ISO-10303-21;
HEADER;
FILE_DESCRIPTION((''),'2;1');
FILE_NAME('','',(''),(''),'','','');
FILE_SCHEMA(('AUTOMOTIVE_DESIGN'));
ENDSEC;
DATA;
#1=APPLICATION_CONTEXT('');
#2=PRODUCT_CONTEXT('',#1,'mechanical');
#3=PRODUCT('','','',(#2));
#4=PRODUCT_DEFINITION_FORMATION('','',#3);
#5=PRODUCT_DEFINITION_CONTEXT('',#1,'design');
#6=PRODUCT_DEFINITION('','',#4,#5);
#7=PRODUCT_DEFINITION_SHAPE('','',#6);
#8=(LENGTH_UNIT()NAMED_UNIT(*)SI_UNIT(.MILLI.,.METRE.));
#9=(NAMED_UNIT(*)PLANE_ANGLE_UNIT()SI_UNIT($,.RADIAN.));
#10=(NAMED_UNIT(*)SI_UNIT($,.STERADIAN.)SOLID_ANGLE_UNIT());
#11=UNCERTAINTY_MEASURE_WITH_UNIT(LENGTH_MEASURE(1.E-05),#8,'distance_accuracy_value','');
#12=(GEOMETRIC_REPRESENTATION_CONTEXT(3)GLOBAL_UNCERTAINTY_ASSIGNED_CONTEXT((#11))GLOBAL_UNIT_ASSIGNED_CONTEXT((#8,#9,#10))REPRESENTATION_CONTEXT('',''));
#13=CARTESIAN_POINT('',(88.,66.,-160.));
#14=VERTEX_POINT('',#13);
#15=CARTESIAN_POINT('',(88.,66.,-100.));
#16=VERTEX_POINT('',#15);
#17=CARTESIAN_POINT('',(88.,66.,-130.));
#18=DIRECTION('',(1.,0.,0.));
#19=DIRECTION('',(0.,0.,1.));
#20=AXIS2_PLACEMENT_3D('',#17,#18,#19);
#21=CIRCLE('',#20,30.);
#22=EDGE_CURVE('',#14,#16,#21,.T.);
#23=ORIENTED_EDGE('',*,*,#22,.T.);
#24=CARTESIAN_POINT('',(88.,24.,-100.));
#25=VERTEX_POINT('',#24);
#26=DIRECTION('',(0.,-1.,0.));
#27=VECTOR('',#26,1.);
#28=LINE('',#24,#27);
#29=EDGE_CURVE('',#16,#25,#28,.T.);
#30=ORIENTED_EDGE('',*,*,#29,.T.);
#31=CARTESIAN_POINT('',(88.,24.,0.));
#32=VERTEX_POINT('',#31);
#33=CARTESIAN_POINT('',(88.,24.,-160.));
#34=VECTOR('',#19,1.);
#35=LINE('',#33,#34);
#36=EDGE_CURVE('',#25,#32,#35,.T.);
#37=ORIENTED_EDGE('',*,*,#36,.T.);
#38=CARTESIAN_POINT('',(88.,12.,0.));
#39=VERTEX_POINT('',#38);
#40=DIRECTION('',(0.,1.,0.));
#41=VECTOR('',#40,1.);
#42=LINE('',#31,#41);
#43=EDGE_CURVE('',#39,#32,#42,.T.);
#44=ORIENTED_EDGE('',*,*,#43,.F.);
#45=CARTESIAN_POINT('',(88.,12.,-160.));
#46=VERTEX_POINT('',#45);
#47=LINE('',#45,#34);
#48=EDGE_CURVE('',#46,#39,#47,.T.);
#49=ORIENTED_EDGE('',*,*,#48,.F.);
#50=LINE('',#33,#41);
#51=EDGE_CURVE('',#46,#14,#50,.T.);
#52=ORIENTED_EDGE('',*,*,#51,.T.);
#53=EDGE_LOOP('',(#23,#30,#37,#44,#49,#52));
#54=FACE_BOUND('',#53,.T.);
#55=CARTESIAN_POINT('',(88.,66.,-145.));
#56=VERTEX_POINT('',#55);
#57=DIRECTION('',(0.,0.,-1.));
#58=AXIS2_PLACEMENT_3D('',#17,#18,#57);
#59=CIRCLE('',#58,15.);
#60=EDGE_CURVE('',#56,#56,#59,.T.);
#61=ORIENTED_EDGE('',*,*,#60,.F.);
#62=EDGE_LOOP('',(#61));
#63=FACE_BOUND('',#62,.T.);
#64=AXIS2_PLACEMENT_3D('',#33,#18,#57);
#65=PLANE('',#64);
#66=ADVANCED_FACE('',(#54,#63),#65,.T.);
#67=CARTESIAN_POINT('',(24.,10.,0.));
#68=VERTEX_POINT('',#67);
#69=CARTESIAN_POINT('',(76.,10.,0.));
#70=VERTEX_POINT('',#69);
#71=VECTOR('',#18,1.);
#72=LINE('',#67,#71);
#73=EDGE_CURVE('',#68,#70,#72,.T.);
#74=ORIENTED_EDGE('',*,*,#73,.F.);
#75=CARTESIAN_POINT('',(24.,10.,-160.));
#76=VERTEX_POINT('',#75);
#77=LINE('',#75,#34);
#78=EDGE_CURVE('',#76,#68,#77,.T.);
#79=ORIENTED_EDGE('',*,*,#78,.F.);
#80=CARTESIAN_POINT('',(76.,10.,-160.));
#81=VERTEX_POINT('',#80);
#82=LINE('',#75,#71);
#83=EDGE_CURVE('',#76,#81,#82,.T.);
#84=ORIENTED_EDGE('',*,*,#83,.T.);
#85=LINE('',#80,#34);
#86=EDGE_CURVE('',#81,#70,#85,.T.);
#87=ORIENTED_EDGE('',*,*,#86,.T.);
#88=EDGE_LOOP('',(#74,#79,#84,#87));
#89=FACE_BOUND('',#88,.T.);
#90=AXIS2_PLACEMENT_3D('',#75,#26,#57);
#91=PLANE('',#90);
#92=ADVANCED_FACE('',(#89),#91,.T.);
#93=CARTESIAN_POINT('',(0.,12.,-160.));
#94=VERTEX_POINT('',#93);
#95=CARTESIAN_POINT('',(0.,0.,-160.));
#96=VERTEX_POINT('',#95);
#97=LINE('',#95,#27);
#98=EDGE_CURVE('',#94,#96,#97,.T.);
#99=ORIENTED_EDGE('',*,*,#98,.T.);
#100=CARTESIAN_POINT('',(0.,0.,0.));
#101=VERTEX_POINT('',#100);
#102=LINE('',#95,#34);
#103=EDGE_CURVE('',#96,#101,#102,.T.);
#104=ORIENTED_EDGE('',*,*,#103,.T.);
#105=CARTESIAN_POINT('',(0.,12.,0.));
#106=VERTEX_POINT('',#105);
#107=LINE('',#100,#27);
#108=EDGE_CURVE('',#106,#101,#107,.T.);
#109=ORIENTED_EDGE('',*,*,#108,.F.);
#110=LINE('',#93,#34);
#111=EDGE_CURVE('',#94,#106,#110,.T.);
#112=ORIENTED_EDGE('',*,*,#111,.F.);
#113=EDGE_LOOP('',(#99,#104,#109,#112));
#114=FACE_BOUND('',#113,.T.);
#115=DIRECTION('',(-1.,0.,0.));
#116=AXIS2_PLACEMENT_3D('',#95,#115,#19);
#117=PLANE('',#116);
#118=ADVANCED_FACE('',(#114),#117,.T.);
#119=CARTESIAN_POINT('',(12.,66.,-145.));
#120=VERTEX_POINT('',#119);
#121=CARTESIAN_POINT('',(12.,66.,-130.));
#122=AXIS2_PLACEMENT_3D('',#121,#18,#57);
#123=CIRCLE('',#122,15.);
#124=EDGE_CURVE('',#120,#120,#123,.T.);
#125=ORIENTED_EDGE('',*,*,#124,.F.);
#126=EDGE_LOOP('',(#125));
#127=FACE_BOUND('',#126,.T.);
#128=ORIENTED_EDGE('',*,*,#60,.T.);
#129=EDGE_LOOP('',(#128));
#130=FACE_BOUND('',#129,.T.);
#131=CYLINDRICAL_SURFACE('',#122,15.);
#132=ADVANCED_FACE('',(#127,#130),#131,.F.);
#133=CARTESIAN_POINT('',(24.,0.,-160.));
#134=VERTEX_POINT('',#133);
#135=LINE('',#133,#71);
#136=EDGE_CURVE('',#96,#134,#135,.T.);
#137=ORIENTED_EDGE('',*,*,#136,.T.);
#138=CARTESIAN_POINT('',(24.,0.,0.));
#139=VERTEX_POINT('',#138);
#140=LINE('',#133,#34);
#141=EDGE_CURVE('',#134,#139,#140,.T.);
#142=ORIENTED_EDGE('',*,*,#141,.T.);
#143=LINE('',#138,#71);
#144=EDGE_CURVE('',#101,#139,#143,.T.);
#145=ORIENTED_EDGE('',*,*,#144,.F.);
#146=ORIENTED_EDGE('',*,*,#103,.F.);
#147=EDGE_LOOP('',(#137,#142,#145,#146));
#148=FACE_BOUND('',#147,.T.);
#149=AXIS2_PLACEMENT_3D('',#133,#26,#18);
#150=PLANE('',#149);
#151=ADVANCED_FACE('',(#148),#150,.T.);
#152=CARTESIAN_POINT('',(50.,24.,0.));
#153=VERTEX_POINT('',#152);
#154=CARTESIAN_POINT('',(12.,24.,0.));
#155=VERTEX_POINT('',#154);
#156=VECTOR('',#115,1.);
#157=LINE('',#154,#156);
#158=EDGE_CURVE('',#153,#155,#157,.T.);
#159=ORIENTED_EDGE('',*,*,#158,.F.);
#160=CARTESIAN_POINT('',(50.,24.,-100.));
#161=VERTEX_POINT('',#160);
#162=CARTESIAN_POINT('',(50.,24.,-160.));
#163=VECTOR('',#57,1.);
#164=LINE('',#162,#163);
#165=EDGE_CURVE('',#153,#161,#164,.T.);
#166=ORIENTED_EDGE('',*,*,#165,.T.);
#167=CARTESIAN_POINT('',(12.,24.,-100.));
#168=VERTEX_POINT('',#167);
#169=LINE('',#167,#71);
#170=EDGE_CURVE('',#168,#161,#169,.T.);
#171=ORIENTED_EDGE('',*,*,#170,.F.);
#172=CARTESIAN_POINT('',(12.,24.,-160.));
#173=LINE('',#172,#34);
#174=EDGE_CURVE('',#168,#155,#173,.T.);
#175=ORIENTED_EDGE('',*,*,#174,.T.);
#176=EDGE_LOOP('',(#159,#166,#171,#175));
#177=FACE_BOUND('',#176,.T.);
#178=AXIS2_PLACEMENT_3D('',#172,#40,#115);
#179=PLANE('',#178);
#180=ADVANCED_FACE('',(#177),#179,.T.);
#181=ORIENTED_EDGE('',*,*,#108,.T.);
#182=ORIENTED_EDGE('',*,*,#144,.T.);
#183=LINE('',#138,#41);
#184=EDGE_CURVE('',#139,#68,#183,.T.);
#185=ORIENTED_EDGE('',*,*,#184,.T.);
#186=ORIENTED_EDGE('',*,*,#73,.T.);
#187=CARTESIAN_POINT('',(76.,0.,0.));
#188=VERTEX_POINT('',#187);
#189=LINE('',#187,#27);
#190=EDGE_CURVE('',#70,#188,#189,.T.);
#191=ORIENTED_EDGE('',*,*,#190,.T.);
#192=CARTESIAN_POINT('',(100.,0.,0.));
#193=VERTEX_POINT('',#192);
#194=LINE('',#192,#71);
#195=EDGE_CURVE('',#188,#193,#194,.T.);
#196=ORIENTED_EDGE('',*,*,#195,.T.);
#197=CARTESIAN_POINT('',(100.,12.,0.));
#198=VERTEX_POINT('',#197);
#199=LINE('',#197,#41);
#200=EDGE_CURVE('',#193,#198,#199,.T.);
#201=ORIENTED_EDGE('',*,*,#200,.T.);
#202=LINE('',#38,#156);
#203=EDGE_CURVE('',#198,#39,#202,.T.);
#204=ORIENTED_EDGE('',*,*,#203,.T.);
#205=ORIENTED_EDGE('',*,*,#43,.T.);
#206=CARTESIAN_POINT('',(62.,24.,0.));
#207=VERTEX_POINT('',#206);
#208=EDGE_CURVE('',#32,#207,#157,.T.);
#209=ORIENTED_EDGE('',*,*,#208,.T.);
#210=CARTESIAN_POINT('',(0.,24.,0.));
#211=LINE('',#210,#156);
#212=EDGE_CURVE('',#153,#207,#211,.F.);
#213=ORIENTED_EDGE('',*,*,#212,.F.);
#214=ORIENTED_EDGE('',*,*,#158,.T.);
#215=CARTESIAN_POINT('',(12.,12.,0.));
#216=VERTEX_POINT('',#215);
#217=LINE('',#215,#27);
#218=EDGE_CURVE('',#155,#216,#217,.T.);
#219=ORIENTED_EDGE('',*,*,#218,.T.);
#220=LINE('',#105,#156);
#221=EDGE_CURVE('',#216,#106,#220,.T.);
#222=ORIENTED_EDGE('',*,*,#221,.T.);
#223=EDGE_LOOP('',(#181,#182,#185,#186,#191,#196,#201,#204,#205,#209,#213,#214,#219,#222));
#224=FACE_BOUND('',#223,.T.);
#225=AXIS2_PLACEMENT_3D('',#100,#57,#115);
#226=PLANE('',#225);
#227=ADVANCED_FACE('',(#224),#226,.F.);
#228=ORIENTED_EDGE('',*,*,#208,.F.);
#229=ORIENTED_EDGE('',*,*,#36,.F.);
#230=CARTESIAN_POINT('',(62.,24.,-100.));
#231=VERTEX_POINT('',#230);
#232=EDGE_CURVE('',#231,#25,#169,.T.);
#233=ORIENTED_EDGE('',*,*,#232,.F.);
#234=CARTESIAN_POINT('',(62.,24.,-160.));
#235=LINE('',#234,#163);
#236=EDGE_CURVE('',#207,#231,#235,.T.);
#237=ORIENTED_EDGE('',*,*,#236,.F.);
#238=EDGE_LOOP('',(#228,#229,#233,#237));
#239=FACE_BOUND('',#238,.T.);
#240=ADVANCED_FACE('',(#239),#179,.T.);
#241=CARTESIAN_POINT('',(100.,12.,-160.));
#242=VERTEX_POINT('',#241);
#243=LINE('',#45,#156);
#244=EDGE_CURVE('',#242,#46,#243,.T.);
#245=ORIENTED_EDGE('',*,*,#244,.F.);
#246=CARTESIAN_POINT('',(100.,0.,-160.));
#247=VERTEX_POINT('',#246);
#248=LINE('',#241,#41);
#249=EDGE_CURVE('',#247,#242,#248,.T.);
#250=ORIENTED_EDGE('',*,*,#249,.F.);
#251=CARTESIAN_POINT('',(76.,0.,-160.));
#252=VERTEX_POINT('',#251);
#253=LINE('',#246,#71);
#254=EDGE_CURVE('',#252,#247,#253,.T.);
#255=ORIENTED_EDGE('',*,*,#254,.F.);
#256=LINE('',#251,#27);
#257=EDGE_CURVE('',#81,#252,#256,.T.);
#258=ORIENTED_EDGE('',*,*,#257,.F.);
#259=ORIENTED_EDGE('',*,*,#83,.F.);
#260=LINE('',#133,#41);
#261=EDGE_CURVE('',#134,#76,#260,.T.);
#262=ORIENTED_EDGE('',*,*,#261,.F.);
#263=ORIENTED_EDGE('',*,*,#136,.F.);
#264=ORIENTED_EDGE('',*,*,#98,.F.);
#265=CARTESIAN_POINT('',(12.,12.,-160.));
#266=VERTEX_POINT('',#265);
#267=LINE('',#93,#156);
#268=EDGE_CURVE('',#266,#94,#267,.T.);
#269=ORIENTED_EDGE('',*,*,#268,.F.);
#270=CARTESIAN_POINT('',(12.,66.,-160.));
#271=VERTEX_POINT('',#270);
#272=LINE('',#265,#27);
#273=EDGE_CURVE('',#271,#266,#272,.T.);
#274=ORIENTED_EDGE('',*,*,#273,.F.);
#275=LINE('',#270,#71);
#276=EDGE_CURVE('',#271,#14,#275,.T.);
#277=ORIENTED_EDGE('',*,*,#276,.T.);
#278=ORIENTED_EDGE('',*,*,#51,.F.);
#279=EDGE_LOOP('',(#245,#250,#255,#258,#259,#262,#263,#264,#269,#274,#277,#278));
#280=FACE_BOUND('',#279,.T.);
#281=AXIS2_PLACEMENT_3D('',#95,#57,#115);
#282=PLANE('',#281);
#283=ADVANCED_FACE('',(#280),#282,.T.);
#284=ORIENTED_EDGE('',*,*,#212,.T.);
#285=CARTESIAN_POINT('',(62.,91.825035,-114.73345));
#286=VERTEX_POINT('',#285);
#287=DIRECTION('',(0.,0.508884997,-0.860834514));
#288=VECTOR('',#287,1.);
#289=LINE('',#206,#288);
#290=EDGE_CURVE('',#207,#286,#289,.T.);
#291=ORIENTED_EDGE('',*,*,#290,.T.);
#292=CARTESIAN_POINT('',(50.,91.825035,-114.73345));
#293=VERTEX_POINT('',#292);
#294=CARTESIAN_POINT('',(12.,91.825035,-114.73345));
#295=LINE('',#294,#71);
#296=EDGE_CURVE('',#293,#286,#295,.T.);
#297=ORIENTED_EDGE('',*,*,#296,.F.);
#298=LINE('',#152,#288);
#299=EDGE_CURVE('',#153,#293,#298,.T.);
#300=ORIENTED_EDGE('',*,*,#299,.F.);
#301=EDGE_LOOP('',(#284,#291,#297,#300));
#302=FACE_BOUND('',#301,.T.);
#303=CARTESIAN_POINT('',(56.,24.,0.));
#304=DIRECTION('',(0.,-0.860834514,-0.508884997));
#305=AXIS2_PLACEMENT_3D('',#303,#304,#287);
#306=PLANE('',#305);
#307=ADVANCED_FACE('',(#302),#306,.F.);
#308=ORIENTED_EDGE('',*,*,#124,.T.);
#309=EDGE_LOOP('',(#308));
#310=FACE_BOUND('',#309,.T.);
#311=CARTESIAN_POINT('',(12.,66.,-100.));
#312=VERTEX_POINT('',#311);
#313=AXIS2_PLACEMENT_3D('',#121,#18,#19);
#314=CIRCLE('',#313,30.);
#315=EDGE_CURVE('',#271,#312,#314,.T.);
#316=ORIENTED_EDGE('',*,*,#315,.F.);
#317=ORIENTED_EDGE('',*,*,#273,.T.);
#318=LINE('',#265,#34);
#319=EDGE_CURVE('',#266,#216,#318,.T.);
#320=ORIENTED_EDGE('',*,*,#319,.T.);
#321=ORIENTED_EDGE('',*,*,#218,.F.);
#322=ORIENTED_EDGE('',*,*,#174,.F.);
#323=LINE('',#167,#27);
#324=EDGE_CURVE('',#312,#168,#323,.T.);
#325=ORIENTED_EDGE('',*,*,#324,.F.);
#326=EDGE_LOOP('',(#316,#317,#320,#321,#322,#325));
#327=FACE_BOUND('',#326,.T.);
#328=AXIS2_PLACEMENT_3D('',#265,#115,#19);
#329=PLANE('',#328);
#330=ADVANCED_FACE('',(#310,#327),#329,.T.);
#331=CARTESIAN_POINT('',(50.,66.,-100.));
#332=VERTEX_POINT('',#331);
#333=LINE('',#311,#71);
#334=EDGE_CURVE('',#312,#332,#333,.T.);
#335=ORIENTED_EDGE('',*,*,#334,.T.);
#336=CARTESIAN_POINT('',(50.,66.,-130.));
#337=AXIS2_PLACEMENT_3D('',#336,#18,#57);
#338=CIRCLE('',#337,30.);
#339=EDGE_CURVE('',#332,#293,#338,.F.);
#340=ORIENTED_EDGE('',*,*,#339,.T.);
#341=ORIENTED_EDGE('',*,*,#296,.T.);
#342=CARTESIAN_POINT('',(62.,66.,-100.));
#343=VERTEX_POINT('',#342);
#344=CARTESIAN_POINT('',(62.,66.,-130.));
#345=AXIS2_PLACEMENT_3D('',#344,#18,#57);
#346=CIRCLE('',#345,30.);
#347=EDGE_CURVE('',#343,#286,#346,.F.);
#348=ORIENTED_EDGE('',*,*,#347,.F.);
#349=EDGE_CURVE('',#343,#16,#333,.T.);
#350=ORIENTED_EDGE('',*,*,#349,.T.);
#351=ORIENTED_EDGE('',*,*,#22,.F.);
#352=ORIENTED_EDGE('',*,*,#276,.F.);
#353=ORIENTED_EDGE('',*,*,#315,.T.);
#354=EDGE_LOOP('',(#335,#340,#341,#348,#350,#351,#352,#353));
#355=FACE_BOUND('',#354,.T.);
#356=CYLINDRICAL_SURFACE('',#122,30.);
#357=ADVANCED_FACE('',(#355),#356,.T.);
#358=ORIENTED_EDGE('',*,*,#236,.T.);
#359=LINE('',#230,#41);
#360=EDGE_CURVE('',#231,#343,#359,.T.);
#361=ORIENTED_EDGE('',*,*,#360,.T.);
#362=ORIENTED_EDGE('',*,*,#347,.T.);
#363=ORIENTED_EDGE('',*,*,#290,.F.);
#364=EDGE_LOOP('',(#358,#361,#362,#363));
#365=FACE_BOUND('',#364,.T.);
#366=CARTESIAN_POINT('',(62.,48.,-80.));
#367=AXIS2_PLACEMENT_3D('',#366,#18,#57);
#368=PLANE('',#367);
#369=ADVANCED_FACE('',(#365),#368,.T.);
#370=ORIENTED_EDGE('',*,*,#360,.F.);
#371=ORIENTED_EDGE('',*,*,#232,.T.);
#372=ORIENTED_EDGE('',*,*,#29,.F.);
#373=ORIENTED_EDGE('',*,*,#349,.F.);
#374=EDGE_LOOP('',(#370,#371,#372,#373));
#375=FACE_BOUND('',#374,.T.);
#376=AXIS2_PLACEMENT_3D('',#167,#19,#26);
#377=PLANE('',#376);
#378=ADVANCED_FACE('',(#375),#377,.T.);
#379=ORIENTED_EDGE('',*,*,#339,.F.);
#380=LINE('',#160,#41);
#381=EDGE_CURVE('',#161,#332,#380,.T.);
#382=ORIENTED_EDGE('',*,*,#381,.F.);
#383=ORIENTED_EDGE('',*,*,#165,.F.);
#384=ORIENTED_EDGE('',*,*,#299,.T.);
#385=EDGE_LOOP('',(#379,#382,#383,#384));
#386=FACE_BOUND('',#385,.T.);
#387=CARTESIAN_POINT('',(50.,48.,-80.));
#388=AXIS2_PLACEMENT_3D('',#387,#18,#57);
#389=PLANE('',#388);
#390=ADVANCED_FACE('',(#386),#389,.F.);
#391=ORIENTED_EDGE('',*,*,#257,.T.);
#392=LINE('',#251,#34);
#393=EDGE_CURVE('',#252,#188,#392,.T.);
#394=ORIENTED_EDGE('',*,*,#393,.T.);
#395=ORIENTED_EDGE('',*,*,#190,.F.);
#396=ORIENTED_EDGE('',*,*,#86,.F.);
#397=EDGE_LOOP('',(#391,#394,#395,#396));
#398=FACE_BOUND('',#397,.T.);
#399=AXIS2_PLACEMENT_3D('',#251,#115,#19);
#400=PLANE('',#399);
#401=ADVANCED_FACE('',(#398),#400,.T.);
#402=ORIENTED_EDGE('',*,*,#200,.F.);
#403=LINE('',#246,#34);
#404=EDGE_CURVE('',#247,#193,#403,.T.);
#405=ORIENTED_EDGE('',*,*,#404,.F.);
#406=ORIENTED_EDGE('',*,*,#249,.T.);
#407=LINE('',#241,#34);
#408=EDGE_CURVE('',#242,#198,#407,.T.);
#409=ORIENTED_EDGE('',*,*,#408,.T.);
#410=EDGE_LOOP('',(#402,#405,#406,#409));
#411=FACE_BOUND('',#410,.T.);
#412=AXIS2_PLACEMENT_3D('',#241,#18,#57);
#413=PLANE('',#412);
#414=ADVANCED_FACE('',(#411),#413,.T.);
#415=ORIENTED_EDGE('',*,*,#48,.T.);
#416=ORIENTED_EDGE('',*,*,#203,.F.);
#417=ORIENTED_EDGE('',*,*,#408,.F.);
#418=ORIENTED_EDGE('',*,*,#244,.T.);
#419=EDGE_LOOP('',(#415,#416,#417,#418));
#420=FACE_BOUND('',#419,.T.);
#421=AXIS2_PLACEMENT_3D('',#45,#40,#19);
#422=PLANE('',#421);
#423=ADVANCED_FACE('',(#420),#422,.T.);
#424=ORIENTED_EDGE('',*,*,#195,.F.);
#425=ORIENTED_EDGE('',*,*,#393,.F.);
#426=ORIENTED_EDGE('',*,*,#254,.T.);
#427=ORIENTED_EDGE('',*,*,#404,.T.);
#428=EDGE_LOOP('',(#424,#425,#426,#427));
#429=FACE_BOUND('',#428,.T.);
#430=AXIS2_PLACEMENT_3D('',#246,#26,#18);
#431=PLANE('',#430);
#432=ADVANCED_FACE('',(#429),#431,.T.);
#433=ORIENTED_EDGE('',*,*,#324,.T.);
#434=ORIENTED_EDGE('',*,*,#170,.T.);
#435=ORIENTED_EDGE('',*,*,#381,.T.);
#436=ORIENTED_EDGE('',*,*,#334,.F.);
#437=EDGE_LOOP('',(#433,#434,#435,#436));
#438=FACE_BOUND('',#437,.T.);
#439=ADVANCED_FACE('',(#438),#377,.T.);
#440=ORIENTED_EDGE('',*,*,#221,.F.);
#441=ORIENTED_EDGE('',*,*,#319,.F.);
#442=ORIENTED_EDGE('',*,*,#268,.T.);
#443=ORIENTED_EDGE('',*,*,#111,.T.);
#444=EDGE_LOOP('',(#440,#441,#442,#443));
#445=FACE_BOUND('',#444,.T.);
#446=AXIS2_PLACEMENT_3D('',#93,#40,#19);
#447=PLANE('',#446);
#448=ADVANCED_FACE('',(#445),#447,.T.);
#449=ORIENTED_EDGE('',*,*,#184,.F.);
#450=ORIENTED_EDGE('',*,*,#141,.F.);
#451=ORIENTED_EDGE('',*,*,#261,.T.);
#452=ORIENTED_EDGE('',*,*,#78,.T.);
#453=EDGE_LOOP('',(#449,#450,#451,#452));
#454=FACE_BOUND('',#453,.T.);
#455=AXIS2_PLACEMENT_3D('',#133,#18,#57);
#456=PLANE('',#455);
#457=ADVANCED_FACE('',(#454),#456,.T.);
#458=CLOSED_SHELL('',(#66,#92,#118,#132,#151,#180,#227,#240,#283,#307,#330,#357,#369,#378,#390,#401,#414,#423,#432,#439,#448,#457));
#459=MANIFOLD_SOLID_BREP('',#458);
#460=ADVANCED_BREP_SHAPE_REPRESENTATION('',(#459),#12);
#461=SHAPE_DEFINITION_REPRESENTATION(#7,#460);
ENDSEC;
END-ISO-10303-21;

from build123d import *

# Parameters (mm, degrees)
BOSS_EXTRUDE1_DEPTH = 160
SKETCH3_R           = 15
BOSS_EXTRUDE3_DEPTH = 76
RIB2_REACH          = 196.813
SKETCH5_WALL_W      = 524.907117832
SKETCH5_WALL_H      = 12


with BuildPart() as part:
    # Sketch2 → Boss-Extrude1 (new body)
    with BuildSketch(Plane.XY):
        Polygon((0, 0), (0, 12), (12, 12), (12, 24), (88, 24), (88, 12), (100, 12), (100, 0), (76, 0), (76, 10), (24, 10), (24, 0), align=None)
    extrude(amount=-BOSS_EXTRUDE1_DEPTH)

    # Sketch3 → Boss-Extrude3 (add)
    with BuildSketch(Plane(origin=(88, 0, 0), x_dir=(0, 0, -1), z_dir=(1, 0, 0))):
        with BuildLine():
            Line((100, 24), (100, 66))
            ThreePointArc((100, 66), (130, 96), (160, 66))
            Line((160, 66), (160, 24))
            Line((160, 24), (100, 24))
        make_face()
        with Locations((130, 66)):
            Circle(SKETCH3_R, mode=Mode.SUBTRACT)
    extrude(amount=-BOSS_EXTRUDE3_DEPTH)

    # Sketch5 wall → Rib2 (add, up to next)
    with BuildSketch(Plane(origin=(56, 57.912517706, -57.366725049), x_dir=(0, 0.508884996756, -0.860834513758), z_dir=(0, 0.860834513758, 0.508884996756)), mode=Mode.PRIVATE) as rib2_sk1:
        Rectangle(SKETCH5_WALL_W, SKETCH5_WALL_H)
    rib2_tool1 = extrude(rib2_sk1.sketch, amount=-RIB2_REACH, mode=Mode.PRIVATE) - part.part
    add(rib2_tool1.solids().sort_by_distance((56, 57.912517706, -57.366725049))[0])


solid = part.part
